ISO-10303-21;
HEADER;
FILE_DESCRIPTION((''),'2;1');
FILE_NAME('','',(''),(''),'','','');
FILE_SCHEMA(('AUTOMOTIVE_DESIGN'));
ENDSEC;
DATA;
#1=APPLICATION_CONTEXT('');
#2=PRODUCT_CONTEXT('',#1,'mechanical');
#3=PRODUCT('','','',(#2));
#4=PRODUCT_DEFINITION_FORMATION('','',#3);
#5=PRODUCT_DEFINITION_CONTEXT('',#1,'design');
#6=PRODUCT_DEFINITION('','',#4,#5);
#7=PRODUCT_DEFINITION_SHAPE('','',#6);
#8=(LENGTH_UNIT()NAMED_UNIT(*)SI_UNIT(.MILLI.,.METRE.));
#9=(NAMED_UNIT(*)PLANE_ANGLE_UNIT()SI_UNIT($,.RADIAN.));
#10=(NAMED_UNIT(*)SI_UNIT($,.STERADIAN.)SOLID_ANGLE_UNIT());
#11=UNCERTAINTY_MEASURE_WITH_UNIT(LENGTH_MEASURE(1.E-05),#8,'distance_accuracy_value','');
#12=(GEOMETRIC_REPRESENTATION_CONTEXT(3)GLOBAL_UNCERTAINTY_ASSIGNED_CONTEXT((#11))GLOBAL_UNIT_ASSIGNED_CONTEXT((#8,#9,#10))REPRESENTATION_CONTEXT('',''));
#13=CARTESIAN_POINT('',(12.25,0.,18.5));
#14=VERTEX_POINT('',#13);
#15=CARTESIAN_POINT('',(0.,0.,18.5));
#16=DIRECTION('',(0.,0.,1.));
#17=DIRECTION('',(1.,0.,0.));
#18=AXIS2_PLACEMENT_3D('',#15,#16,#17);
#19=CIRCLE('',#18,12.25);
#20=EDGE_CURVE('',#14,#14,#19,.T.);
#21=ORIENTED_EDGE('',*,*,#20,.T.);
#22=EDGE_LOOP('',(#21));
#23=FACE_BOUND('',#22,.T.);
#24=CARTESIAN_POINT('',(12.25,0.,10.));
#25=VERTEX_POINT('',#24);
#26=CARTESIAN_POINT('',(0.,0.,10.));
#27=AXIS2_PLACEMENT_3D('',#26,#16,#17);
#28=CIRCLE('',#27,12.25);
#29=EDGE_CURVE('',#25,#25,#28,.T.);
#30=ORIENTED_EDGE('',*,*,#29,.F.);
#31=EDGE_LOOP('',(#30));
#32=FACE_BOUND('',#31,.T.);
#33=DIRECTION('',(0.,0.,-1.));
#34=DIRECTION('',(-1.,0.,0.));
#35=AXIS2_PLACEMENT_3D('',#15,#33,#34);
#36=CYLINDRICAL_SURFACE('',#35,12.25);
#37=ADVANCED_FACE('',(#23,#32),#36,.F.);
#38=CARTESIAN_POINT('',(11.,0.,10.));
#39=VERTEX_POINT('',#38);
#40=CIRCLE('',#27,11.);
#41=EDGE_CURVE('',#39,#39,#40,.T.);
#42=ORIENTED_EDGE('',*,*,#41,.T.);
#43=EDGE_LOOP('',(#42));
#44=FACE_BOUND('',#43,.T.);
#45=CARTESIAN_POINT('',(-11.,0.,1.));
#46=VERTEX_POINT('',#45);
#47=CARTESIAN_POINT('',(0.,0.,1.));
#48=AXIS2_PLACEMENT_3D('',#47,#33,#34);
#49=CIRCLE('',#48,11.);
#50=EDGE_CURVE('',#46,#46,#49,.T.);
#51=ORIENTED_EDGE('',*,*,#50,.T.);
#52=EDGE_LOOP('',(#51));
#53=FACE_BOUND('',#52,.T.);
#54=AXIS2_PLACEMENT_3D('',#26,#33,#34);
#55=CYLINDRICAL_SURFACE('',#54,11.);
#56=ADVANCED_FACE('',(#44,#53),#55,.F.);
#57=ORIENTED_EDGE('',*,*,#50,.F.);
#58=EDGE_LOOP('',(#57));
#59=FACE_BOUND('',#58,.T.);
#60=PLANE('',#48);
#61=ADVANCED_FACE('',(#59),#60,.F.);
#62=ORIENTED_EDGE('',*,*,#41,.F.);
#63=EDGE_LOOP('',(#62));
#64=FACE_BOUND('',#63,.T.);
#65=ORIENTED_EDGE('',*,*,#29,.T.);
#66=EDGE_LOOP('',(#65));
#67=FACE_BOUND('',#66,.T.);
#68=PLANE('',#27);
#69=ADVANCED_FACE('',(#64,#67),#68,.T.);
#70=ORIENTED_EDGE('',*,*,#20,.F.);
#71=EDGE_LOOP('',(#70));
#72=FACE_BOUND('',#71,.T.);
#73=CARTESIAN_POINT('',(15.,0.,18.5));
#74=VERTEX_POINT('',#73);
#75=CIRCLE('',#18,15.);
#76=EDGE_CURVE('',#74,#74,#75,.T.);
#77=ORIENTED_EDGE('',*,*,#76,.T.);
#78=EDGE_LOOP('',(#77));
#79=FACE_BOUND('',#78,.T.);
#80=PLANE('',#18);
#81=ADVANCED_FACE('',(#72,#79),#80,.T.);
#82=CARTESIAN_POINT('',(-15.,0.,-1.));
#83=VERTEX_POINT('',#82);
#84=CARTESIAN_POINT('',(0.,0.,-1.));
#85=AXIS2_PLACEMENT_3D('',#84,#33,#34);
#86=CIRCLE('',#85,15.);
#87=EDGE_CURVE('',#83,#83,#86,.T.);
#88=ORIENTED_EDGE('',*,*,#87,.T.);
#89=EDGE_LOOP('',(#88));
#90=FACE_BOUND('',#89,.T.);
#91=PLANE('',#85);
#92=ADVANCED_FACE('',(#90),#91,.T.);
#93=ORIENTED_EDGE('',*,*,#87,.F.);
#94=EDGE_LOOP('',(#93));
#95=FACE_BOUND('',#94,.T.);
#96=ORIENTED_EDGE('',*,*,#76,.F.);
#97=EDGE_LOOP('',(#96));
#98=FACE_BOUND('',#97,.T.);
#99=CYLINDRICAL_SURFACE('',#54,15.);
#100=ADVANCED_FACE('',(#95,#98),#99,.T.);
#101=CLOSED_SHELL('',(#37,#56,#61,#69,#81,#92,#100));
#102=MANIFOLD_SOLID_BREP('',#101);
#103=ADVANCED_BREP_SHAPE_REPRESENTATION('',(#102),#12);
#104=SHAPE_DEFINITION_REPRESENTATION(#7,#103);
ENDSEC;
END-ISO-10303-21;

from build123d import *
from build123d.topology import SkipClean

# Parameters (mm, degrees)
CROQUIS1_R              = 15
CROQUIS1_R_2            = 11
SALIENTE_EXTRUIR1_DEPTH = 10
CROQUIS2_R              = 15
SALIENTE_EXTRUIR2_DEPTH = 1
CROQUIS3_R              = 15
CROQUIS3_R_2            = 12.25
SALIENTE_EXTRUIR3_DEPTH = 8.5


with BuildPart() as part:
    # Croquis1 → Saliente-Extruir1 (new body)
    with BuildSketch(Plane.XY):
        Circle(CROQUIS1_R)
        Circle(CROQUIS1_R_2, mode=Mode.SUBTRACT)
    extrude(amount=SALIENTE_EXTRUIR1_DEPTH)

    # Croquis2 → Saliente-Extruir2 (add, symmetric)
    with SkipClean():  # the faces are left unmerged after this step: merging them gives an invalid solid
        with BuildSketch(Plane(origin=(0, 0, 0), x_dir=(-1, 0, 0), z_dir=(0, 0, -1))):
            Circle(CROQUIS2_R)
        extrude(amount=SALIENTE_EXTRUIR2_DEPTH, both=True)

    # Croquis3 → Saliente-Extruir3 (add)
    with SkipClean():  # the faces are left unmerged after this step: merging them gives an invalid solid
        with BuildSketch(Plane.XY.offset(10)):
            with Locations(Location((0, 0, 0), (0, 0, 180))):
                Circle(CROQUIS3_R)
            Circle(CROQUIS3_R_2, mode=Mode.SUBTRACT)
        extrude(amount=SALIENTE_EXTRUIR3_DEPTH)


solid = part.part
